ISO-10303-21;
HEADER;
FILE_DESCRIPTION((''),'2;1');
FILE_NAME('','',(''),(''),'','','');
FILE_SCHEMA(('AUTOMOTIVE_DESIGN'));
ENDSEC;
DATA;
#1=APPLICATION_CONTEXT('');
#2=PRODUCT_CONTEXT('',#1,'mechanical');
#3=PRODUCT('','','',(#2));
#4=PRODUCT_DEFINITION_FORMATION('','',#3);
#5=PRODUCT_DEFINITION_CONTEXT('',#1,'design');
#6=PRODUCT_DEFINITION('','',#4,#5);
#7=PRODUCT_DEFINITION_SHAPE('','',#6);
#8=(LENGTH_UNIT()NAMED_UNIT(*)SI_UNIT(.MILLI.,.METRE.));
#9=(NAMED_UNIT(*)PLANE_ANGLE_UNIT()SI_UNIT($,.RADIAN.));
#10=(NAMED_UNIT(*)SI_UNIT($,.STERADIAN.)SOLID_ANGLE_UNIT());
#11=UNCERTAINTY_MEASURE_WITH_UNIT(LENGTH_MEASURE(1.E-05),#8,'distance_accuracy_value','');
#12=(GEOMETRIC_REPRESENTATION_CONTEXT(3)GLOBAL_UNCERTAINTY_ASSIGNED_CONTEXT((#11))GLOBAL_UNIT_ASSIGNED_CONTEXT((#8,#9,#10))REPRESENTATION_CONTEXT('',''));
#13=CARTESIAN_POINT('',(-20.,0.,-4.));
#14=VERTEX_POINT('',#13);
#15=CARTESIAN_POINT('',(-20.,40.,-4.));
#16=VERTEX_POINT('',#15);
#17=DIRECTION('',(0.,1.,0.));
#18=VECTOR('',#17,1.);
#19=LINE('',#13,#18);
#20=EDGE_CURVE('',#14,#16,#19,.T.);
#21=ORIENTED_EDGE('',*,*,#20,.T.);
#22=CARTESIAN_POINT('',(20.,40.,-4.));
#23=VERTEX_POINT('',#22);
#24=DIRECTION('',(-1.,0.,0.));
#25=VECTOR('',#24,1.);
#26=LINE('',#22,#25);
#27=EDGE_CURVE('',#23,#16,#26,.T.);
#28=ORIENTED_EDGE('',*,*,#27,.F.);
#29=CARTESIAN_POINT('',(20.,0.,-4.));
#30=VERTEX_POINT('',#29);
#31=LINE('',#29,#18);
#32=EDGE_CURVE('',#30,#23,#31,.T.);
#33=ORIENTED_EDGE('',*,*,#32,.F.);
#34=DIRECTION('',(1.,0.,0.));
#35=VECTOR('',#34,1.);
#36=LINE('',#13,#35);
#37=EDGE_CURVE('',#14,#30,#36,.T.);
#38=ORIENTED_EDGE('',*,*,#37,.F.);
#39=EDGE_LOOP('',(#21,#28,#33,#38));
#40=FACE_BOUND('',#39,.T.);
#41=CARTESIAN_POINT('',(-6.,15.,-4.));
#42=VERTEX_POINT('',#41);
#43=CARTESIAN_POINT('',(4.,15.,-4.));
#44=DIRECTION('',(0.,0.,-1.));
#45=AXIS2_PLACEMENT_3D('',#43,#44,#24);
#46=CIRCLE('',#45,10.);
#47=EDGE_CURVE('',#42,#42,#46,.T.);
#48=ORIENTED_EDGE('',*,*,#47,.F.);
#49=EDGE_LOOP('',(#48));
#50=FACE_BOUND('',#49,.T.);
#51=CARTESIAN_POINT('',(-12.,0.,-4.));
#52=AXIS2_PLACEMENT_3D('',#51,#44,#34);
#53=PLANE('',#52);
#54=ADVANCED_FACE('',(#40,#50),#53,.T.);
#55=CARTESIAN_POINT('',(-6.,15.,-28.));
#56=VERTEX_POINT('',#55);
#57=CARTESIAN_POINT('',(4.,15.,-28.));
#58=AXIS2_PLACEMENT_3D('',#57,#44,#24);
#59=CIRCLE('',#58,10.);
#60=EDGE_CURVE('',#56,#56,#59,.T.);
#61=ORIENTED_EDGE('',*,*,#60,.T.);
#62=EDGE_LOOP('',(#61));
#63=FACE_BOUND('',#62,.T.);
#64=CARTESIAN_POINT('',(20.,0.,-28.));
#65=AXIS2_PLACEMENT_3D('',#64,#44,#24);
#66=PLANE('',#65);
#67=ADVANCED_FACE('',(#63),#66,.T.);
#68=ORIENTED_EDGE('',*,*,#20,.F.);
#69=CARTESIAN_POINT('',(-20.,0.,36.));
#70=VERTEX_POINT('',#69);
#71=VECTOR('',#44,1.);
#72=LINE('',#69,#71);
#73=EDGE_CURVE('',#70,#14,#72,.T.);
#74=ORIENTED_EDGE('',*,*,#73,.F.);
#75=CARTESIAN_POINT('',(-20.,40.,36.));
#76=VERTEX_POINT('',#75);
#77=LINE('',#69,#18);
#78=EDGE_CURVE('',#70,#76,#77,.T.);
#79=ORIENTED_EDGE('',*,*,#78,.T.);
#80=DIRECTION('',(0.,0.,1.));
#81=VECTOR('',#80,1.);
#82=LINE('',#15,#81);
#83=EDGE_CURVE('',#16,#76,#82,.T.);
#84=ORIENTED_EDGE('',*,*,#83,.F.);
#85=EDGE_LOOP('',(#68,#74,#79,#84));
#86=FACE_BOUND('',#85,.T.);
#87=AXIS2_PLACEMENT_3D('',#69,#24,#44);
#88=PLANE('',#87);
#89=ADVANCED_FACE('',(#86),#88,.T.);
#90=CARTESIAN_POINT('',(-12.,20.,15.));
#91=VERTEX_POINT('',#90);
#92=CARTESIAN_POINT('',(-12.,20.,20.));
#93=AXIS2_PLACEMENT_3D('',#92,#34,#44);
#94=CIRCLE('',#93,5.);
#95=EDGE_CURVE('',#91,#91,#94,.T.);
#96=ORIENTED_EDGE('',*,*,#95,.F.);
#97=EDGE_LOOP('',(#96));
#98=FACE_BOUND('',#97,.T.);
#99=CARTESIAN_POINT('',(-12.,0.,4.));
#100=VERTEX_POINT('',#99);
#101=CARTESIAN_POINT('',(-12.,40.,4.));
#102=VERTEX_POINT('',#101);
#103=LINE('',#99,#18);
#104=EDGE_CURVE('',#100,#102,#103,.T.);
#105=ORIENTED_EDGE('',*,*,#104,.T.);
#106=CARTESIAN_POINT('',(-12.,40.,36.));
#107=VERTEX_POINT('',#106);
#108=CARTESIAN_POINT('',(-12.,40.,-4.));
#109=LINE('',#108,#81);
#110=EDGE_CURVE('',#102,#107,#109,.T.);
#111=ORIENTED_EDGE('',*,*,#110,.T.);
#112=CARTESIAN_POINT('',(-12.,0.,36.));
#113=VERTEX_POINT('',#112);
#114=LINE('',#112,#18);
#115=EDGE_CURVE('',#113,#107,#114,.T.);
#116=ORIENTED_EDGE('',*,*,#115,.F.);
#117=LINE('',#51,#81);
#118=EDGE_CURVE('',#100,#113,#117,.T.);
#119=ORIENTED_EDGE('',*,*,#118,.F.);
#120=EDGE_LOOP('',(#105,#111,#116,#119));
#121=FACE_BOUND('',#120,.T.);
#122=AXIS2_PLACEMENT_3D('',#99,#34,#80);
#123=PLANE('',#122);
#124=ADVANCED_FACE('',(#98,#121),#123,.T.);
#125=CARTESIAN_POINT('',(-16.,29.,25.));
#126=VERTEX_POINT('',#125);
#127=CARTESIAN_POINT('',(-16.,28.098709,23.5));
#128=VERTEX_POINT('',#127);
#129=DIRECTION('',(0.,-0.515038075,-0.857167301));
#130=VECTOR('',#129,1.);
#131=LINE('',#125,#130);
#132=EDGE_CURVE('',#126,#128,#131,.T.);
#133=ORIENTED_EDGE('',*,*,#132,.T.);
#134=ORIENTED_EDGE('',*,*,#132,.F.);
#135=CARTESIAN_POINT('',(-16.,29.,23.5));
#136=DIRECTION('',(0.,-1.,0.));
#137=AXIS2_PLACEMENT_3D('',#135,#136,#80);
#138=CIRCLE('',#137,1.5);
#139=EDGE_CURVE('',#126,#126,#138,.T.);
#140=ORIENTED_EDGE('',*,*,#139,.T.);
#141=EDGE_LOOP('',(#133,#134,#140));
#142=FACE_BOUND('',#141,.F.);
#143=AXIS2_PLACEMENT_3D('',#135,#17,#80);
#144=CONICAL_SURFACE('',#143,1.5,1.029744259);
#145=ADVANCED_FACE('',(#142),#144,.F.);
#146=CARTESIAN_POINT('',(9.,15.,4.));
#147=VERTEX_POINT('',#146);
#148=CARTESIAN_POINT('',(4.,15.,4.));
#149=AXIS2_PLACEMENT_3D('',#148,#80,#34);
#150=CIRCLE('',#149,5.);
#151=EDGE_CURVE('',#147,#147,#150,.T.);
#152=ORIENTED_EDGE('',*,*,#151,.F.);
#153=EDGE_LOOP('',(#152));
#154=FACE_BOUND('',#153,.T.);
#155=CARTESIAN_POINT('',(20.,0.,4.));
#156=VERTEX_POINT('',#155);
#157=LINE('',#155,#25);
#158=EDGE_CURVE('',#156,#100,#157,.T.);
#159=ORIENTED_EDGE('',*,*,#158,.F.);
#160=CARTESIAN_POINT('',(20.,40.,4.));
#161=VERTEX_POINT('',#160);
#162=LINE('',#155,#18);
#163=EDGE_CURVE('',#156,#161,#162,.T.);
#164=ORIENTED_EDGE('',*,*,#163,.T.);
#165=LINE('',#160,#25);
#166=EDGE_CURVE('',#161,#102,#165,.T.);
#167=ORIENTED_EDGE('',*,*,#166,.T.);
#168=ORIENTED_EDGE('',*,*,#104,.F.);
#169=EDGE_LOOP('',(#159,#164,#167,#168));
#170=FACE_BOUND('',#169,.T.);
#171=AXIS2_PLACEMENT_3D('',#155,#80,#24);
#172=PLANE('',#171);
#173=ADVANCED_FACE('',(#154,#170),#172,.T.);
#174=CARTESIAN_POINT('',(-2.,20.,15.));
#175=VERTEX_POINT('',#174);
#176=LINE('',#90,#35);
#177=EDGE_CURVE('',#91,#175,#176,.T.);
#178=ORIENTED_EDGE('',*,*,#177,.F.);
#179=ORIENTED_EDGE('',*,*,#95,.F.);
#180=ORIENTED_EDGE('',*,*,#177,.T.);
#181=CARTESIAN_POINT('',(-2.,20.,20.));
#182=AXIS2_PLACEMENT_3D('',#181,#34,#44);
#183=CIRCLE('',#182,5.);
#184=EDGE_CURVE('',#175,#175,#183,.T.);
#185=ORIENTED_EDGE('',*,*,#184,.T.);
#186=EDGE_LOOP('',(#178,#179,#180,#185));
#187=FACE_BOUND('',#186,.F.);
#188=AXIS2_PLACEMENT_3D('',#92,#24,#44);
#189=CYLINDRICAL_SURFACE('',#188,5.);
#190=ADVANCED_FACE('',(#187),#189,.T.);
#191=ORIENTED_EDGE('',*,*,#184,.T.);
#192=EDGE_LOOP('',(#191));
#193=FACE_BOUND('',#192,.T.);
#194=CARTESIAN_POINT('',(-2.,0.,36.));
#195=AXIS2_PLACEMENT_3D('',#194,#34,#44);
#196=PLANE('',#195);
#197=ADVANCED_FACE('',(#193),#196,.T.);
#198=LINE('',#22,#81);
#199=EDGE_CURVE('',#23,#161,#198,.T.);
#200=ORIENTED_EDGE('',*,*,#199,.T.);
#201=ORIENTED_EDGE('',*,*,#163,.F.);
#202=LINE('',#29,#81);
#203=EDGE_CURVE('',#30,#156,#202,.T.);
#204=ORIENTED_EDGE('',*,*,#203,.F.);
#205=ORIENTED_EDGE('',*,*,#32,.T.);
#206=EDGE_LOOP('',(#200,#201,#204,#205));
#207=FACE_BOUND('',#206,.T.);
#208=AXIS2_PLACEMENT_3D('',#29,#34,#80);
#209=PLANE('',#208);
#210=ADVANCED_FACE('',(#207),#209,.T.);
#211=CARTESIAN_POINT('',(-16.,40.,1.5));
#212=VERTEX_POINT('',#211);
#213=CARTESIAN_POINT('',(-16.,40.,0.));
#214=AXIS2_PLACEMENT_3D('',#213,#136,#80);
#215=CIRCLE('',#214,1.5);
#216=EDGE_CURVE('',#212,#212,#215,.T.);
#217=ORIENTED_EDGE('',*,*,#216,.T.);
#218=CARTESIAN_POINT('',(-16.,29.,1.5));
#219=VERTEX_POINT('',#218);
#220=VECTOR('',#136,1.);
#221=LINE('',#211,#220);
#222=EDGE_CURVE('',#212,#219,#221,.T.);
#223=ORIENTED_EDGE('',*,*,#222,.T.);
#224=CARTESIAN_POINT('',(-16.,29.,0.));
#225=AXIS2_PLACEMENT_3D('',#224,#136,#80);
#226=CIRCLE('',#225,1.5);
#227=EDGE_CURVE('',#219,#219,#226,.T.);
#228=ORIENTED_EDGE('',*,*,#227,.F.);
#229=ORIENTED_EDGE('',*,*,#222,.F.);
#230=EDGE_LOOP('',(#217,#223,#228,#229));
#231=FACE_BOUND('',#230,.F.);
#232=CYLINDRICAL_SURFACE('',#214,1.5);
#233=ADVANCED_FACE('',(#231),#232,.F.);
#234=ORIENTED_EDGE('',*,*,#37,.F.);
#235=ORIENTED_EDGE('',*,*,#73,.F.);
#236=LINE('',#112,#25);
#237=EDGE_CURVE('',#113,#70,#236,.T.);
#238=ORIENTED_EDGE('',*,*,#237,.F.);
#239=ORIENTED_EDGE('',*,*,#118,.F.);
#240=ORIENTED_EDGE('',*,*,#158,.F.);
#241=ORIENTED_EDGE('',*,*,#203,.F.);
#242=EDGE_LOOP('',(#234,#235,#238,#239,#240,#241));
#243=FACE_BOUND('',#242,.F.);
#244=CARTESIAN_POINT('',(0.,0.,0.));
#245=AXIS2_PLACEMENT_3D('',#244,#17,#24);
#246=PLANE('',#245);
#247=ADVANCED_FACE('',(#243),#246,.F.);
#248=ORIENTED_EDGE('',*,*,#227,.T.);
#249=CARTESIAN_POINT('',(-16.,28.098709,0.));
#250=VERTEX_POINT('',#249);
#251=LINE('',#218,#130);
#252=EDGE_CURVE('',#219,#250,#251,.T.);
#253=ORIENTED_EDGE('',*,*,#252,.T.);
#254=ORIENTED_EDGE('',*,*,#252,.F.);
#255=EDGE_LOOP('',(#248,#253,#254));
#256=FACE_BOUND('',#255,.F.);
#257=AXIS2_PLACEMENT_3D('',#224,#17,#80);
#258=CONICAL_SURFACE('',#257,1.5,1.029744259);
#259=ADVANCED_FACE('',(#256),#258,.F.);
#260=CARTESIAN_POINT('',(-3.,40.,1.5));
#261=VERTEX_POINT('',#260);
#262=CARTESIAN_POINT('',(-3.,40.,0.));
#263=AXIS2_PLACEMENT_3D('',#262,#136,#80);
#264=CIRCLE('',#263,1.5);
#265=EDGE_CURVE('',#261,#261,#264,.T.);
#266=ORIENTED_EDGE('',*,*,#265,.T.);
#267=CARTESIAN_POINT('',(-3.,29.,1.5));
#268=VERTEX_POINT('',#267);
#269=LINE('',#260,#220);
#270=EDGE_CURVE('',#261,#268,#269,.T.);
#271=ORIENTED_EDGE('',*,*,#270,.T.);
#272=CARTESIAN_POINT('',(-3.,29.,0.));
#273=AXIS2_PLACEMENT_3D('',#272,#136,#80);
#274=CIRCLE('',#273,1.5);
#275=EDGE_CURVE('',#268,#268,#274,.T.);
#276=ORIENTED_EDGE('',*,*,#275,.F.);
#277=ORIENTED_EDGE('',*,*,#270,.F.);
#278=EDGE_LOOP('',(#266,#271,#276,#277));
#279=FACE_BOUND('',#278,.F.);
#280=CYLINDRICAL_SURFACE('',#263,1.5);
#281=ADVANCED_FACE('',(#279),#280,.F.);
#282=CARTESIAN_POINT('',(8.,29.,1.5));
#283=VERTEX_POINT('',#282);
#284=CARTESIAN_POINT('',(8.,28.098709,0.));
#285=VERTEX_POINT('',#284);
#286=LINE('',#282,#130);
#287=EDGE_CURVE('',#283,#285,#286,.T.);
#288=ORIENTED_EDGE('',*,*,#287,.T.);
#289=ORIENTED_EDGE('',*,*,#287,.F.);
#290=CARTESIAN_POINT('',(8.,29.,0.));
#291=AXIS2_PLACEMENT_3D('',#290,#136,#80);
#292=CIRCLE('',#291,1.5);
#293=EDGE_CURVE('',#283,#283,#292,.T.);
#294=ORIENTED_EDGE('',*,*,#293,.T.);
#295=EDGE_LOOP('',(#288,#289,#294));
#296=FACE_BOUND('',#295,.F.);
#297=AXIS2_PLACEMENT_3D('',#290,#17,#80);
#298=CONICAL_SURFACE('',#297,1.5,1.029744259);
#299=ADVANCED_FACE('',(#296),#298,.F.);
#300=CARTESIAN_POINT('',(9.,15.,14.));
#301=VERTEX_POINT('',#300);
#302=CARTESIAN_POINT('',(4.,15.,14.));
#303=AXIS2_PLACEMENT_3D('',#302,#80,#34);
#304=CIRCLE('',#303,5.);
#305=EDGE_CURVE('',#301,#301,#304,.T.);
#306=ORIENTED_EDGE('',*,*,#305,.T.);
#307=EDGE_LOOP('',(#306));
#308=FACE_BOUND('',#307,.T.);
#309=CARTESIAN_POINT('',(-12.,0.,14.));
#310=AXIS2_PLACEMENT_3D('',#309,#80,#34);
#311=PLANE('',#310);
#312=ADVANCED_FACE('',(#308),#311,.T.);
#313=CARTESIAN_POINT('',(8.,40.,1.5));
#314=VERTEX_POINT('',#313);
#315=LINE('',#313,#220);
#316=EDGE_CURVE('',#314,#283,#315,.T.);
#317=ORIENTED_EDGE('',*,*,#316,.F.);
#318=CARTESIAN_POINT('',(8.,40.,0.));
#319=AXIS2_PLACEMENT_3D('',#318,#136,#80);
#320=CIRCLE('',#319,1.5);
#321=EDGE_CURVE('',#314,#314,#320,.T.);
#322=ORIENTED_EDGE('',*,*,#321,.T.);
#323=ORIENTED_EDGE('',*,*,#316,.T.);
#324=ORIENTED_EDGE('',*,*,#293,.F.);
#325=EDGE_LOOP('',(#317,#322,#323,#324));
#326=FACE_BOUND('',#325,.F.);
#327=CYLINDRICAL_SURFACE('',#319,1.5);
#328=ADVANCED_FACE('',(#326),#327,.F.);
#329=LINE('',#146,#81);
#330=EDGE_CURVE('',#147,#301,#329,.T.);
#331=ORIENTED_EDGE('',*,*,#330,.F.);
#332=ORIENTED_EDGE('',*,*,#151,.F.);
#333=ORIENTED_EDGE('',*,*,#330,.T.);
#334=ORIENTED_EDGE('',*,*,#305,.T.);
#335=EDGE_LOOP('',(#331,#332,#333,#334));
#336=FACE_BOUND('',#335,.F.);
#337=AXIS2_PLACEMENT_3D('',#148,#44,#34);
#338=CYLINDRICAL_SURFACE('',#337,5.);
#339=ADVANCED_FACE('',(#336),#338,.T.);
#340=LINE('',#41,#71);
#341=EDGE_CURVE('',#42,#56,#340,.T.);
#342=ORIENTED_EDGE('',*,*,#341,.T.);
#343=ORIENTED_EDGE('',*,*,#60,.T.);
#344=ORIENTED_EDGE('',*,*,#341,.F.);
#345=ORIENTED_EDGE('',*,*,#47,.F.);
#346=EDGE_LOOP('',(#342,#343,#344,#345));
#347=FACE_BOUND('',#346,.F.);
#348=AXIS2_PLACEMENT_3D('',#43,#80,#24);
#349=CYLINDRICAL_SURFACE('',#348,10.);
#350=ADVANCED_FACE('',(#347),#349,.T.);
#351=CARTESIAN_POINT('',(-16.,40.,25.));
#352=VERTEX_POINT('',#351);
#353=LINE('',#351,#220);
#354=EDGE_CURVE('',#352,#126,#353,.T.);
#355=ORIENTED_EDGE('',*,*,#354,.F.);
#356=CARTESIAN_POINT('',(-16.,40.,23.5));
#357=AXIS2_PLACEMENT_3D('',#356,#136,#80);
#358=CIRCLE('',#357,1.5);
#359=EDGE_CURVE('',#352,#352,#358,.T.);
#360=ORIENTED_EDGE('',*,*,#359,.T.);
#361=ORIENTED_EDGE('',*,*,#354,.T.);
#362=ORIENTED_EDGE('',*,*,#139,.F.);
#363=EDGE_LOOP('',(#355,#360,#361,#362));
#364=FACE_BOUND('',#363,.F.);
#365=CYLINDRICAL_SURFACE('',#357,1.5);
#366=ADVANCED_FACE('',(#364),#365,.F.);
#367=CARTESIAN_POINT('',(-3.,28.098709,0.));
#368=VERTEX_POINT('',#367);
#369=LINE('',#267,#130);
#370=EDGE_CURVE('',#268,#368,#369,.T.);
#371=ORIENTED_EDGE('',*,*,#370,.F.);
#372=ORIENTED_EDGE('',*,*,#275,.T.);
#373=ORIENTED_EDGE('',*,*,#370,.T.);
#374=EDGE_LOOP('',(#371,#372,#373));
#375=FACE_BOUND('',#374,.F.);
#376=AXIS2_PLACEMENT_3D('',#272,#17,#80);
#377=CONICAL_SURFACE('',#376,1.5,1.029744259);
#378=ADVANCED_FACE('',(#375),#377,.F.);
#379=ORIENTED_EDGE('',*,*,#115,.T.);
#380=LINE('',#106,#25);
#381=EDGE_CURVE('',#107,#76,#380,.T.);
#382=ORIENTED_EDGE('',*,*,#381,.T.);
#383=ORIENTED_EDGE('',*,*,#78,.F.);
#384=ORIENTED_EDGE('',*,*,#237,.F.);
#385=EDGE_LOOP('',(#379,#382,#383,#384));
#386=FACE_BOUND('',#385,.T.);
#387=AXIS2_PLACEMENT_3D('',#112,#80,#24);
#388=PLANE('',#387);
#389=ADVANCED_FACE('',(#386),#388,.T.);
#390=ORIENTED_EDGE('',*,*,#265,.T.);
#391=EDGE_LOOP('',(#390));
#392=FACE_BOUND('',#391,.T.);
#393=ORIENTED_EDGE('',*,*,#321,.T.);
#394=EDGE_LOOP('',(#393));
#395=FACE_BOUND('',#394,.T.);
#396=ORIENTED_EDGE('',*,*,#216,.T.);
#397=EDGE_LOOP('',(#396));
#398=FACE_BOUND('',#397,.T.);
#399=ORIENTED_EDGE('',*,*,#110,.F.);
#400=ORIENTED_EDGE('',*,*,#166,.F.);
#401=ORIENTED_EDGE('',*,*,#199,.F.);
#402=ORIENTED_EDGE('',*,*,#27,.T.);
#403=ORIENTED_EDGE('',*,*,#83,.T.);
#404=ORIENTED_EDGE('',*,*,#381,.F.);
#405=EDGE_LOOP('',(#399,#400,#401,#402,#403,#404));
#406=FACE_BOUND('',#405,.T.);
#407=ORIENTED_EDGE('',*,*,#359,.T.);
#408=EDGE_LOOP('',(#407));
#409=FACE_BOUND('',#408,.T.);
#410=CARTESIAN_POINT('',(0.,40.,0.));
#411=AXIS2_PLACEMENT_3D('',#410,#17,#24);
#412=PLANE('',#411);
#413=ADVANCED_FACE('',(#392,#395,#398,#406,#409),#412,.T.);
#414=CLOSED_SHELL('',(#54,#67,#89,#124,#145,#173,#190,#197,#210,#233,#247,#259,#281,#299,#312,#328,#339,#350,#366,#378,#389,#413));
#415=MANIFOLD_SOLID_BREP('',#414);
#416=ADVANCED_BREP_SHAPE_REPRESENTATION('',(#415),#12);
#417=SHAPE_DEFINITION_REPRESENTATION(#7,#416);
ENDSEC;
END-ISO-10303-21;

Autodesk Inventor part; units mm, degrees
ref_plane "YZ Plane" through (0, 0, 0) normal (1, 0, 0) x (0, 1, 0)
ref_plane "XZ Plane" through (0, 0, 0) normal (0, 1, 0) x (-1, 0, 0)
ref_plane "XY Plane" through (0, 0, 0) normal (0, 0, 1) x (1, 0, 0)
sketch "Sketch1" plane through (0, 0, 0) normal (0, 1, 0) x (-1, 0, 0)
  line L0 (-20, 4) -> (20, 4)
  line L1 (20, 4) -> (20, -4)
  line L2 (20, -4) -> (-20, -4)
  line L3 (-20, -4) -> (-20, 4)
  line L4 (-20, 4) -> (20, -4) construction
  line L5 (20, 4) -> (-20, -4) construction
  line L6 (20, -4) -> (12, -4)
  line L7 (12, -4) -> (12, 36)
  line L8 (12, 36) -> (20, 36)
  line L9 (20, 36) -> (20, -4)
  point P0 (0, 0)
  point P1 (12, 4)
  dimension "d0" = 40
  dimension "d1" = 8
  dimension "d2" = 8
  dimension "d3" = 40
extrude "Extrusion1" add sketch "Sketch1" along normal blind 40
sketch "Sketch2" plane through (0, 40, 0) normal (0, 1, 0) x (1, 0, 0)
  circle A0 centre (8, 0) radius 2.5
  circle A1 centre (-3, 0) radius 2.5
  circle A2 centre (-16, 0) radius 2.5
  circle A3 centre (-16, -23.5) radius 2.5
  line L0 (20, -4) -> (20, 4) projected
  line L1 (-20, -36) -> (-12, -36) projected
  point P0 (0, 0)
  point P1 (-16, -36)
  point P2 (-16, -36)
  point P3 (20, 0)
  point P4 (-16, -36)
  point P5 (20, 0)
  dimension "d6" = 5
  dimension "d7" = 5
  dimension "d8" = 5
  dimension "d9" = 5
  dimension "d10" = 12
  dimension "d21" = 12.5
  dimension "d22" = 23
hole "Hole1" at (-16, 40, 23.5) at (-16, 40, 0) at (-3, 40, 0) at (8, 40, 0) direction (0, -1, 0) diameter 3 depth 11 tip angle 118
sketch "Sketch3" plane through (-12, 0, 36) normal (1, 0, 0) x (0, 0, -1)
  circle A0 centre (16, 20) radius 5
  line L0 (0, 0) -> (0, 40) projected
  point P0 (36, 0)
  dimension "d23" = 10
  dimension "d31" = 16
extrude "Extrusion2" add sketch "Sketch3" along normal blind 10
sketch "Sketch4" plane through (-12, 0, 4) normal (0, 0, 1) x (1, 0, 0)
  circle A0 centre (16, 15) radius 5
  line L0 (0, 0) -> (32, 0) projected
  line L1 (32, 0) -> (32, 40) projected
  point P0 (12, 0)
  dimension "d26" = 10
  dimension "d27" = 15
  dimension "d28" = 16
extrude "Extrusion3" add sketch "Sketch4" along normal blind 10
sketch "Sketch5" plane through (20, 0, -4) normal (0, 0, -1) x (-1, 0, 0)
  circle A0 centre (16, 15) radius 5 projected
  circle A1 centre (16, 15) radius 10
  point P0 (20, 0)
  dimension "d32" = 20
extrude "Extrusion4" add sketch "Sketch5" along normal blind 24 contours A0 | A1
equation "\"d19\" = d11"
equation "\"d11\" = 11"
properties part number "Non-ThorLabs Galvo"
